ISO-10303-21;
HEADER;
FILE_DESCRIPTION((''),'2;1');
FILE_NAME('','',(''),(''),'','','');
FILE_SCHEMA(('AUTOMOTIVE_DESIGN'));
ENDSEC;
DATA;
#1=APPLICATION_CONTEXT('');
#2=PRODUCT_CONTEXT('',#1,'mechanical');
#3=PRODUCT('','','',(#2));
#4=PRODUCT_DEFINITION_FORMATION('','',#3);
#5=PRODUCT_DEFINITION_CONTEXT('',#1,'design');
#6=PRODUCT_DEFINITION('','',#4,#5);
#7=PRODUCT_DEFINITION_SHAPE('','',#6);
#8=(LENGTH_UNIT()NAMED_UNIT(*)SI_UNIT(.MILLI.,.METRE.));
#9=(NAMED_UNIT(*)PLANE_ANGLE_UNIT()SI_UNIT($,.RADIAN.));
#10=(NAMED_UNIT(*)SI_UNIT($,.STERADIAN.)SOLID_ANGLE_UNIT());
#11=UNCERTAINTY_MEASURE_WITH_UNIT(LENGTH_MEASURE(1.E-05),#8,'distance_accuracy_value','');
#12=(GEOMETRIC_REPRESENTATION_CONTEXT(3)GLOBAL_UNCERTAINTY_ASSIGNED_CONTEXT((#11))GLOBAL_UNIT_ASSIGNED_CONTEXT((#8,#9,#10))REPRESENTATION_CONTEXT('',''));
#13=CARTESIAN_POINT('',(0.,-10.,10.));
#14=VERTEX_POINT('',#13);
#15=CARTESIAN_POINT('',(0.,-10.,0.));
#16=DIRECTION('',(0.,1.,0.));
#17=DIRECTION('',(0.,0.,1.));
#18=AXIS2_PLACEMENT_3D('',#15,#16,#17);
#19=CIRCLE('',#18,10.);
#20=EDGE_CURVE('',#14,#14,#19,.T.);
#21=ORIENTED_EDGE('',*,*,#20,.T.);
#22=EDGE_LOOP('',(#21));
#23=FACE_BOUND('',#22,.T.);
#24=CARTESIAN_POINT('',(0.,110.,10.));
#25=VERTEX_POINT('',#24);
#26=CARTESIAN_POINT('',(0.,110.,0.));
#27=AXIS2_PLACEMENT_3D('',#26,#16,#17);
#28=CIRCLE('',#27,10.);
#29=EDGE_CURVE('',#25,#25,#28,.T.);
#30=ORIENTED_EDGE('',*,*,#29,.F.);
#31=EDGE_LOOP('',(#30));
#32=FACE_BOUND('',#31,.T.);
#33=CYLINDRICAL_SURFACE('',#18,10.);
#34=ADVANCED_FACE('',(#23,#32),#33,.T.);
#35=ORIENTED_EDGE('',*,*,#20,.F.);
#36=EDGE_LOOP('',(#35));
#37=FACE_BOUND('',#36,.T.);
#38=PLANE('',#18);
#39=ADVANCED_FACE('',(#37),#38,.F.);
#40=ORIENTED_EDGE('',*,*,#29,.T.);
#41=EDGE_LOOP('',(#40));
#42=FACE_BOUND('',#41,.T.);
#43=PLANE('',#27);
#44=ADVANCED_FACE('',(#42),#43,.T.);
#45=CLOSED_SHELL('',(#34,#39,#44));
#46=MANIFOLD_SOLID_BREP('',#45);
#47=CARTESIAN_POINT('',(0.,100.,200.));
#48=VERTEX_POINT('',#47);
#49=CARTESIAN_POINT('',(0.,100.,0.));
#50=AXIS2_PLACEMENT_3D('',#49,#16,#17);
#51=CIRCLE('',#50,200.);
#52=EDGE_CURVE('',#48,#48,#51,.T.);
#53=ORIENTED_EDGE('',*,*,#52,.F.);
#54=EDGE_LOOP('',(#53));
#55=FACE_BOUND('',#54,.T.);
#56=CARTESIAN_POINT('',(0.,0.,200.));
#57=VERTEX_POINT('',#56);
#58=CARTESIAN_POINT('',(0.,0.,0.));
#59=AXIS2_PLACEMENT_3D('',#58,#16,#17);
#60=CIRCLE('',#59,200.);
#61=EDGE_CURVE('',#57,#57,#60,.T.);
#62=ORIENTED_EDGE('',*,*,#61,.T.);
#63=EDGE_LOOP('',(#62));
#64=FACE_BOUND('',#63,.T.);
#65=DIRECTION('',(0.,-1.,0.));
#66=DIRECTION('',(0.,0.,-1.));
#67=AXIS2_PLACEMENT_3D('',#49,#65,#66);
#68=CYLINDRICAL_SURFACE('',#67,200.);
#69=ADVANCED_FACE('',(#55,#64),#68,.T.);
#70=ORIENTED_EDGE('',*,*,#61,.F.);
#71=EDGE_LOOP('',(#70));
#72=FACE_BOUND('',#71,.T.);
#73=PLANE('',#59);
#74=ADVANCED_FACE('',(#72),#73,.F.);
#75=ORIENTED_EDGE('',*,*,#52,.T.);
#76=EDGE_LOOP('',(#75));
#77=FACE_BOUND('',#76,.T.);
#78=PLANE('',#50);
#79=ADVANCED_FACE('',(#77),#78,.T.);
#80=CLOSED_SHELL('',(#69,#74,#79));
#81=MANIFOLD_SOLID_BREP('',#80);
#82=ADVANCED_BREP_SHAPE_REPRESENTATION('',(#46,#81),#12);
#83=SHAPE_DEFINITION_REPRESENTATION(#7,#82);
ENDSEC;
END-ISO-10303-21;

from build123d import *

# Parameters (mm, degrees)
SKETCH1_R                = 200
BOSS_EXTRUDE1_DEPTH      = 100
BOSS_EXTRUDE2_DEPTH      = 110
BOSS_EXTRUDE2_DEPTH_BACK = 10
SKETCH1_3_R              = 10


with BuildPart() as part:
    # Sketch1 → Boss-Extrude1 (new body)
    with BuildSketch(Plane(origin=(0, 0, 0), x_dir=(1, 0, 0), z_dir=(0, 1, 0))):
        Circle(SKETCH1_R)
    extrude(amount=BOSS_EXTRUDE1_DEPTH)


with BuildPart() as body_2:
    # Sketch1<3> → Boss-Extrude2 (new, two sides: drawn at the far end of the back side and taken through both)
    with BuildSketch(Plane(origin=(0, 0, 0), x_dir=(1, 0, 0), z_dir=(0, 1, 0)).offset(-BOSS_EXTRUDE2_DEPTH_BACK)):
        Circle(SKETCH1_3_R)
    extrude(amount=BOSS_EXTRUDE2_DEPTH + BOSS_EXTRUDE2_DEPTH_BACK)


solid = Compound([part.part, body_2.part])
